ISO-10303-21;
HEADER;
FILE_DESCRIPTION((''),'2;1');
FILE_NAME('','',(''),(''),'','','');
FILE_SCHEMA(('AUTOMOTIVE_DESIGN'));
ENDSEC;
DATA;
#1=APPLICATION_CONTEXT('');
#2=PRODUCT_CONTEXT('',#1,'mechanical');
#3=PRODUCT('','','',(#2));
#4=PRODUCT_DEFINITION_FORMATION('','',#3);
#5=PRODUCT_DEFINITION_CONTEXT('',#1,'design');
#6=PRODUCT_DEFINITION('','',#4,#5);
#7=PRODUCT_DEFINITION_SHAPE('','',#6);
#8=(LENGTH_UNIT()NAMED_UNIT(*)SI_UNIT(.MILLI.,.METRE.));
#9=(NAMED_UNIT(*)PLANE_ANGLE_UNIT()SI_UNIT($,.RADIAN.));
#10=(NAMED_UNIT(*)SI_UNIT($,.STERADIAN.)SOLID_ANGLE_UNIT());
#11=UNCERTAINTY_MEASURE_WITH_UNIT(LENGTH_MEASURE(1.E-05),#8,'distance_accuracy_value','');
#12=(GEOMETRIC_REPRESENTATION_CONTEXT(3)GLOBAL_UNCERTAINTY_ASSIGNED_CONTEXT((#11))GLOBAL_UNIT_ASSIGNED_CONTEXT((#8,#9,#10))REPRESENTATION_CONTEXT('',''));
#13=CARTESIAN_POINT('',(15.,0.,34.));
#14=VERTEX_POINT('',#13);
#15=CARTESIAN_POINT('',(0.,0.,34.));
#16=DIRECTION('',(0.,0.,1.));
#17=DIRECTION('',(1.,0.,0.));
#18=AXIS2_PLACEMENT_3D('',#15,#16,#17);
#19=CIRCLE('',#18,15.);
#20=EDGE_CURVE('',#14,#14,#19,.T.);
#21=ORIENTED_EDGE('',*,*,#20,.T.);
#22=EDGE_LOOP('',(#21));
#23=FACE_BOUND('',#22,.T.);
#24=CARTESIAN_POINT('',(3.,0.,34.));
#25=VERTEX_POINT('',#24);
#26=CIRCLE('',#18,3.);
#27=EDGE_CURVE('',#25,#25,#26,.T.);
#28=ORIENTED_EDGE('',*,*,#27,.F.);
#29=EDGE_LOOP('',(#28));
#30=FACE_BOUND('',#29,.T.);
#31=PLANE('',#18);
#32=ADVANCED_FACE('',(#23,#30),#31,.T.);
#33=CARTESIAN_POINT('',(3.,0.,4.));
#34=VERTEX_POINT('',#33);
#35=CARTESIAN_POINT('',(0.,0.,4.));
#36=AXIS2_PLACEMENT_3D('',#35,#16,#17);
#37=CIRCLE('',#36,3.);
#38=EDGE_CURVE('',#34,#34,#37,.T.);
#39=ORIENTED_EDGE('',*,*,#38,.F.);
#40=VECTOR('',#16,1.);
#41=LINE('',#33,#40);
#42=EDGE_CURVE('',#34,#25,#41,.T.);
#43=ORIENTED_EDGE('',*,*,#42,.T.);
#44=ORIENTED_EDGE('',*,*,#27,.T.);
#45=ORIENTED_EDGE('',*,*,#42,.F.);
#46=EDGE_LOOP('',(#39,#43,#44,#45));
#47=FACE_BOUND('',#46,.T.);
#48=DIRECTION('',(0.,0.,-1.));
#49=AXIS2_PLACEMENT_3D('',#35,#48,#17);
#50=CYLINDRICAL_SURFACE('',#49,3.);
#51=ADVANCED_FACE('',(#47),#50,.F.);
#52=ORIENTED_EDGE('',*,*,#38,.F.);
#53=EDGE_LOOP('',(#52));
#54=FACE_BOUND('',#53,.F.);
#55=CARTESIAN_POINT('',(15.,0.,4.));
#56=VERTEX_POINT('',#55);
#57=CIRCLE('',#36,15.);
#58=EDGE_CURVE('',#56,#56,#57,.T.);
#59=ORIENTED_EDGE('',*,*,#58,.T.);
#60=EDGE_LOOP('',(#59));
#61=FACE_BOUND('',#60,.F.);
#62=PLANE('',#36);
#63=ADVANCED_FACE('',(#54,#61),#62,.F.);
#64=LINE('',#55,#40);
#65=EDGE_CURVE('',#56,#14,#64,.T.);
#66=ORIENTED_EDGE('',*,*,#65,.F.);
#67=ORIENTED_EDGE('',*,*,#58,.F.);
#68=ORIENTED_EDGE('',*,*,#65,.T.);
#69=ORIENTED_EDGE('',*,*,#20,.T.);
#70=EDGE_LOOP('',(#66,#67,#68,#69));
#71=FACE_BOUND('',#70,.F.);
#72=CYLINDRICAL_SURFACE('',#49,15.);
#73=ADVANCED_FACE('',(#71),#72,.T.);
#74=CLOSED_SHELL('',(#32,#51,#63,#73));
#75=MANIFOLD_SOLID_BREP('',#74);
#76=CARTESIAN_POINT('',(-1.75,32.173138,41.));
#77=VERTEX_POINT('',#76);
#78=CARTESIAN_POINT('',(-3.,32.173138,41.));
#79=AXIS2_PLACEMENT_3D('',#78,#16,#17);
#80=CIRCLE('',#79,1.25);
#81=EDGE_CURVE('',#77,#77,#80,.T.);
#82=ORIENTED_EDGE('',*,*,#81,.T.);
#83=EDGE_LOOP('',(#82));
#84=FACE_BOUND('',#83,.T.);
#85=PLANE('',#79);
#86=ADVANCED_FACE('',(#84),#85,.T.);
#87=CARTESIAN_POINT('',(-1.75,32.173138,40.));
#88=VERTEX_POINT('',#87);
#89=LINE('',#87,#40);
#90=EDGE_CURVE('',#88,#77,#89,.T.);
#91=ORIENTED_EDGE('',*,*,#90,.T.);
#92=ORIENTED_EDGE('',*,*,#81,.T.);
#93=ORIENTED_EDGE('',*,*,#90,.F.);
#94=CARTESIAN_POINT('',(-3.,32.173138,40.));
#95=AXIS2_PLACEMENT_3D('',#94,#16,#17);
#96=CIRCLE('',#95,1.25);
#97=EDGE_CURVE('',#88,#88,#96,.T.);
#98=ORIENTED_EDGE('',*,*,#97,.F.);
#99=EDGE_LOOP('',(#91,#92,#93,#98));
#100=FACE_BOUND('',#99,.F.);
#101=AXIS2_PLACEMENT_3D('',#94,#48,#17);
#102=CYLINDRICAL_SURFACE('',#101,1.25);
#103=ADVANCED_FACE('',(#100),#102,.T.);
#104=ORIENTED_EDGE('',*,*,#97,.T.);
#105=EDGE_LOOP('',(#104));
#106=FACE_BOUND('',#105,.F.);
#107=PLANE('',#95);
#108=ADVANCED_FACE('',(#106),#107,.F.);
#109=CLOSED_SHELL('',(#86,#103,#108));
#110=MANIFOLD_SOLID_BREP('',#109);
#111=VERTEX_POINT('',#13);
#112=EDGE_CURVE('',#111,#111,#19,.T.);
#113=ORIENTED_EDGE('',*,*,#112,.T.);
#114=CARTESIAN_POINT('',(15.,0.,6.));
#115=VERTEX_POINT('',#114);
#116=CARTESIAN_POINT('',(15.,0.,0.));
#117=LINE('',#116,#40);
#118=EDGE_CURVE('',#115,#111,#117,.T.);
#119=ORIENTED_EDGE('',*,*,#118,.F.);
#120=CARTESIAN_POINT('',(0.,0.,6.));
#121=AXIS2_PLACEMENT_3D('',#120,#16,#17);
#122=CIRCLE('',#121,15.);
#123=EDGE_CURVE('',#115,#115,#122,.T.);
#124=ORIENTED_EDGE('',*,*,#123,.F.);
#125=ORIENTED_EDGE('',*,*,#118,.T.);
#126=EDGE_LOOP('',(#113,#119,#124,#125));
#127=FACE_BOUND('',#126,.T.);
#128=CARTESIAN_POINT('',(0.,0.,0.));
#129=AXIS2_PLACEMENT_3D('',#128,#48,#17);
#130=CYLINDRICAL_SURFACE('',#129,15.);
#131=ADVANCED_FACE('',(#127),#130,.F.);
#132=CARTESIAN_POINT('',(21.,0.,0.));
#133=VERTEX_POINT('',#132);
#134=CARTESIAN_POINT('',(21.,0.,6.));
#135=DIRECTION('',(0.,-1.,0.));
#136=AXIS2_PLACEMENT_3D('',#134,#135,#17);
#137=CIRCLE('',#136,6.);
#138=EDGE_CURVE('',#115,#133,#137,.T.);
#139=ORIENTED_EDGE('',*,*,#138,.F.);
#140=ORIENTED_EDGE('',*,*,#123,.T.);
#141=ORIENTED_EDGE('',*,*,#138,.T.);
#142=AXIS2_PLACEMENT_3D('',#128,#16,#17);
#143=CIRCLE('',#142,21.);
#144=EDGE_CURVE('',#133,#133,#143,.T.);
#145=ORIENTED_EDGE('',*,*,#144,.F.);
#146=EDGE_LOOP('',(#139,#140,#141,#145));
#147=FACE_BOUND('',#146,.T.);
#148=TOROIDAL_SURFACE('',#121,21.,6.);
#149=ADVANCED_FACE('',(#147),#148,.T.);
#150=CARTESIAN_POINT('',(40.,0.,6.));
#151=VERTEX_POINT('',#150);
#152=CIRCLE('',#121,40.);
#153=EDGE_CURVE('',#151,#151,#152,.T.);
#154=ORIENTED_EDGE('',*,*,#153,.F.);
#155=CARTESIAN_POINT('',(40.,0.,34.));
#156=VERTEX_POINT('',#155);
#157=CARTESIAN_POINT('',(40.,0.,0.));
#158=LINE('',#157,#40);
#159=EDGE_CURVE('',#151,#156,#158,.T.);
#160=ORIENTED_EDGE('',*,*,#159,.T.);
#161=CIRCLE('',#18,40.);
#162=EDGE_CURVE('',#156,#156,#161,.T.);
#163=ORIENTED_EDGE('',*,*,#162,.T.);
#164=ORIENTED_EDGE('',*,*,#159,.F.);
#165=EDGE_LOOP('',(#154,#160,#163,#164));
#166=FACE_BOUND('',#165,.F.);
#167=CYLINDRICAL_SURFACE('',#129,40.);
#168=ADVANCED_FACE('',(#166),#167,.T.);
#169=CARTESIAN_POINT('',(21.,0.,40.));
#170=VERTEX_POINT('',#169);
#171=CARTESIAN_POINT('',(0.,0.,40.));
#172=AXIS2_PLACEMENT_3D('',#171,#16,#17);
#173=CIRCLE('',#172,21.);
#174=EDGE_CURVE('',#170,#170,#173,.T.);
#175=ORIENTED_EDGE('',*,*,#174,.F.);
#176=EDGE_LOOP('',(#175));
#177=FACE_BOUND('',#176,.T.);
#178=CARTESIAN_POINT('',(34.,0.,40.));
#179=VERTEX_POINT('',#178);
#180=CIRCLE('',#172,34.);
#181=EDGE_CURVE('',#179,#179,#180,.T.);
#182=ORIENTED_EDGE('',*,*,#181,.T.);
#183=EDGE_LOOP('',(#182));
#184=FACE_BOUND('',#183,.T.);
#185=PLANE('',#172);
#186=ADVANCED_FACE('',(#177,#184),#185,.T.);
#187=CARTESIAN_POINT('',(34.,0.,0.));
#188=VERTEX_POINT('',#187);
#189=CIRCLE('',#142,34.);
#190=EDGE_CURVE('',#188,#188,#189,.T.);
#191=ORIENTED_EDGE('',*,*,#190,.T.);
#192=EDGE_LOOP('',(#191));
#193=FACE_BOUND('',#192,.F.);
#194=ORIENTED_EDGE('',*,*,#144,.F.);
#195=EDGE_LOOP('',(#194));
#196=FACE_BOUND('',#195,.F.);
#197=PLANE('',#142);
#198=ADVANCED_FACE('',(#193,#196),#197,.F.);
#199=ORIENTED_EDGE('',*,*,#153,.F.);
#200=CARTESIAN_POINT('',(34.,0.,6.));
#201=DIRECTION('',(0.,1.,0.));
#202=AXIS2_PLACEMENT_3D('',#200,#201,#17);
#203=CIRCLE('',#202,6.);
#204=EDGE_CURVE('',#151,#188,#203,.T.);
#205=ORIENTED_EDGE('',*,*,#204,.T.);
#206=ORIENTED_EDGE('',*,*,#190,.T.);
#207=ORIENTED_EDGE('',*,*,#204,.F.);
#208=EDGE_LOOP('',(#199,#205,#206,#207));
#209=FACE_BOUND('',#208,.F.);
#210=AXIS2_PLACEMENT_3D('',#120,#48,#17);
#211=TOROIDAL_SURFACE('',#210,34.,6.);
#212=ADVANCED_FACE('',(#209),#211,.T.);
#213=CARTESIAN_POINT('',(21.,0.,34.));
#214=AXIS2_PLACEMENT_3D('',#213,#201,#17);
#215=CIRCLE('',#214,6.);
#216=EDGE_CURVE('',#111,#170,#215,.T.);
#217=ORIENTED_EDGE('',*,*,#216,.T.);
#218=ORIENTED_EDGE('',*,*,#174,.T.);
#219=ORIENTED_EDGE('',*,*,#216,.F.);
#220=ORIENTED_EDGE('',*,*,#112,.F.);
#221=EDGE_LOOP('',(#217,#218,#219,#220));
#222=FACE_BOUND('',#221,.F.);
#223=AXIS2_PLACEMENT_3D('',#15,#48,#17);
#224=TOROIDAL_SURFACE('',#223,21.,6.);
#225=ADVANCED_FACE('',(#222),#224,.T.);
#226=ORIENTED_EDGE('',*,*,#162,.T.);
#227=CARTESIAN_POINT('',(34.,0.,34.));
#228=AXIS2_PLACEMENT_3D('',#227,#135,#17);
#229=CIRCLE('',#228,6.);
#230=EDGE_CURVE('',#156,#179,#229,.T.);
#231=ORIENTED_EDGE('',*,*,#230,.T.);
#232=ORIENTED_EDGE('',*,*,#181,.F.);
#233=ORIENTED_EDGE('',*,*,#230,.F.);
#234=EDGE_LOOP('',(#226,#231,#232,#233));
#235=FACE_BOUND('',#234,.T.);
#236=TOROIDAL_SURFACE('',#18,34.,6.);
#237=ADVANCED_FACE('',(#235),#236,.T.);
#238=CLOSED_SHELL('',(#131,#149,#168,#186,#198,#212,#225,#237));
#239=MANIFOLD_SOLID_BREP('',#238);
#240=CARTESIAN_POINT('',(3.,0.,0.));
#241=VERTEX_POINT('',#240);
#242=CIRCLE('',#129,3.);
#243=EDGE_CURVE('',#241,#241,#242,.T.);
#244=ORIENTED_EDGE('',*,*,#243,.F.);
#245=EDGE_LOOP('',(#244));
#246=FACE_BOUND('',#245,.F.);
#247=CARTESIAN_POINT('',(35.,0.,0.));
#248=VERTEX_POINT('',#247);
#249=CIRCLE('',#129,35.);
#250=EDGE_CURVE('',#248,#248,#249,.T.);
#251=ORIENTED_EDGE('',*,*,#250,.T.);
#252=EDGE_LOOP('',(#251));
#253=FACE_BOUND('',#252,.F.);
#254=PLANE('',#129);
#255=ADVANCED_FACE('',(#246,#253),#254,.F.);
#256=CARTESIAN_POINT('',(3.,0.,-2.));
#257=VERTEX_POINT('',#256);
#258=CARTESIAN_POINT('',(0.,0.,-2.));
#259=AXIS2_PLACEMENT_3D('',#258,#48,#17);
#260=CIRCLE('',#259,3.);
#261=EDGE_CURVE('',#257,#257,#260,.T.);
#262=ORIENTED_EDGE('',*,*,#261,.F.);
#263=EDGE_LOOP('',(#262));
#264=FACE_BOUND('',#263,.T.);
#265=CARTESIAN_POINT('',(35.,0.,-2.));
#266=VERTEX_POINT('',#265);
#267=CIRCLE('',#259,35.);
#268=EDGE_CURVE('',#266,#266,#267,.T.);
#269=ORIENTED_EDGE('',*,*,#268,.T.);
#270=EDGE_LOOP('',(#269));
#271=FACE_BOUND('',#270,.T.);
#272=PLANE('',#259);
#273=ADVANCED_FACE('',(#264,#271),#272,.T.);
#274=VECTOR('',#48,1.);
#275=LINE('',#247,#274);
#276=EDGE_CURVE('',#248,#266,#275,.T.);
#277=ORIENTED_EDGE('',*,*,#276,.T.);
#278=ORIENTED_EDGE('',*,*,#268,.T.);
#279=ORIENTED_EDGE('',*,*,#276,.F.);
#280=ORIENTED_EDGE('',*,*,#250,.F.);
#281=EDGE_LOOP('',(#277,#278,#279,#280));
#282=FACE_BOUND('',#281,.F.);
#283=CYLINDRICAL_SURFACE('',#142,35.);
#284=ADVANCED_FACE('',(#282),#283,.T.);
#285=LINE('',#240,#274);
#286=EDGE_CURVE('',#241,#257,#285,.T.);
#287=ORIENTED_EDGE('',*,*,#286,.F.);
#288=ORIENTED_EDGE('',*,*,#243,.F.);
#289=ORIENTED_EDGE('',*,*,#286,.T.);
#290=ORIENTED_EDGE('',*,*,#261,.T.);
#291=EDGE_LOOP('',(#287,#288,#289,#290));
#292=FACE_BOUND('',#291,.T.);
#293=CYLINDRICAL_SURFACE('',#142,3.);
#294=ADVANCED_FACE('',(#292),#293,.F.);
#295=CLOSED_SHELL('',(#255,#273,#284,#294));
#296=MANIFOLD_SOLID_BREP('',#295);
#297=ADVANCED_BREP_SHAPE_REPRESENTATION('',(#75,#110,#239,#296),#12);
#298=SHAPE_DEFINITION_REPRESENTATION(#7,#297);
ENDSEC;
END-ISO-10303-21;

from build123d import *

# Parameters (mm, degrees)
F0_R     = 40
F0_R_2   = 15
F1_DEPTH = 40
F2_R     = 6
F4_R     = 15
F4_R_2   = 3
F5_DEPTH = 30
F6_R     = 1.25
F7_DEPTH = 1
F8_R     = 35
F8_R_2   = 3
F9_DEPTH = 2


with BuildPart() as f1:
    # F0 (on Top) → F1 (new body)
    with BuildSketch(Plane.XY):
        Circle(F0_R)
        Circle(F0_R_2, mode=Mode.SUBTRACT)
    extrude(amount=F1_DEPTH)

    # F2
    f2_edges = [f1.edges().sort_by_distance(p)[0] for p in [
        (-15, 0, 40),
        (-40, 0, 40),
        (-40, 0, 0),
        (-15, 0, 0),
    ]]
    fillet(f2_edges, radius=F2_R)


with BuildPart() as f5:
    # F4 (on offset) → F5 (new body)
    with BuildSketch(Plane.XY.offset(4)):
        Circle(F4_R)
        Circle(F4_R_2, mode=Mode.SUBTRACT)
    extrude(amount=F5_DEPTH)


with BuildPart() as f7:
    # F6 (on face) → F7 (new body)
    with BuildSketch(Plane.XY.offset(40)):
        with Locations((-3, 32.173138)):
            Circle(F6_R)
    extrude(amount=F7_DEPTH)


with BuildPart() as f9:
    # F8 (on face) → F9 (new body)
    with BuildSketch(Plane(origin=(0, 0, 0), x_dir=(1, 0, 0), z_dir=(0, 0, -1))):
        Circle(F8_R)
        Circle(F8_R_2, mode=Mode.SUBTRACT)
    extrude(amount=F9_DEPTH)


solid = Compound([f1.part, f5.part, f7.part, f9.part])
